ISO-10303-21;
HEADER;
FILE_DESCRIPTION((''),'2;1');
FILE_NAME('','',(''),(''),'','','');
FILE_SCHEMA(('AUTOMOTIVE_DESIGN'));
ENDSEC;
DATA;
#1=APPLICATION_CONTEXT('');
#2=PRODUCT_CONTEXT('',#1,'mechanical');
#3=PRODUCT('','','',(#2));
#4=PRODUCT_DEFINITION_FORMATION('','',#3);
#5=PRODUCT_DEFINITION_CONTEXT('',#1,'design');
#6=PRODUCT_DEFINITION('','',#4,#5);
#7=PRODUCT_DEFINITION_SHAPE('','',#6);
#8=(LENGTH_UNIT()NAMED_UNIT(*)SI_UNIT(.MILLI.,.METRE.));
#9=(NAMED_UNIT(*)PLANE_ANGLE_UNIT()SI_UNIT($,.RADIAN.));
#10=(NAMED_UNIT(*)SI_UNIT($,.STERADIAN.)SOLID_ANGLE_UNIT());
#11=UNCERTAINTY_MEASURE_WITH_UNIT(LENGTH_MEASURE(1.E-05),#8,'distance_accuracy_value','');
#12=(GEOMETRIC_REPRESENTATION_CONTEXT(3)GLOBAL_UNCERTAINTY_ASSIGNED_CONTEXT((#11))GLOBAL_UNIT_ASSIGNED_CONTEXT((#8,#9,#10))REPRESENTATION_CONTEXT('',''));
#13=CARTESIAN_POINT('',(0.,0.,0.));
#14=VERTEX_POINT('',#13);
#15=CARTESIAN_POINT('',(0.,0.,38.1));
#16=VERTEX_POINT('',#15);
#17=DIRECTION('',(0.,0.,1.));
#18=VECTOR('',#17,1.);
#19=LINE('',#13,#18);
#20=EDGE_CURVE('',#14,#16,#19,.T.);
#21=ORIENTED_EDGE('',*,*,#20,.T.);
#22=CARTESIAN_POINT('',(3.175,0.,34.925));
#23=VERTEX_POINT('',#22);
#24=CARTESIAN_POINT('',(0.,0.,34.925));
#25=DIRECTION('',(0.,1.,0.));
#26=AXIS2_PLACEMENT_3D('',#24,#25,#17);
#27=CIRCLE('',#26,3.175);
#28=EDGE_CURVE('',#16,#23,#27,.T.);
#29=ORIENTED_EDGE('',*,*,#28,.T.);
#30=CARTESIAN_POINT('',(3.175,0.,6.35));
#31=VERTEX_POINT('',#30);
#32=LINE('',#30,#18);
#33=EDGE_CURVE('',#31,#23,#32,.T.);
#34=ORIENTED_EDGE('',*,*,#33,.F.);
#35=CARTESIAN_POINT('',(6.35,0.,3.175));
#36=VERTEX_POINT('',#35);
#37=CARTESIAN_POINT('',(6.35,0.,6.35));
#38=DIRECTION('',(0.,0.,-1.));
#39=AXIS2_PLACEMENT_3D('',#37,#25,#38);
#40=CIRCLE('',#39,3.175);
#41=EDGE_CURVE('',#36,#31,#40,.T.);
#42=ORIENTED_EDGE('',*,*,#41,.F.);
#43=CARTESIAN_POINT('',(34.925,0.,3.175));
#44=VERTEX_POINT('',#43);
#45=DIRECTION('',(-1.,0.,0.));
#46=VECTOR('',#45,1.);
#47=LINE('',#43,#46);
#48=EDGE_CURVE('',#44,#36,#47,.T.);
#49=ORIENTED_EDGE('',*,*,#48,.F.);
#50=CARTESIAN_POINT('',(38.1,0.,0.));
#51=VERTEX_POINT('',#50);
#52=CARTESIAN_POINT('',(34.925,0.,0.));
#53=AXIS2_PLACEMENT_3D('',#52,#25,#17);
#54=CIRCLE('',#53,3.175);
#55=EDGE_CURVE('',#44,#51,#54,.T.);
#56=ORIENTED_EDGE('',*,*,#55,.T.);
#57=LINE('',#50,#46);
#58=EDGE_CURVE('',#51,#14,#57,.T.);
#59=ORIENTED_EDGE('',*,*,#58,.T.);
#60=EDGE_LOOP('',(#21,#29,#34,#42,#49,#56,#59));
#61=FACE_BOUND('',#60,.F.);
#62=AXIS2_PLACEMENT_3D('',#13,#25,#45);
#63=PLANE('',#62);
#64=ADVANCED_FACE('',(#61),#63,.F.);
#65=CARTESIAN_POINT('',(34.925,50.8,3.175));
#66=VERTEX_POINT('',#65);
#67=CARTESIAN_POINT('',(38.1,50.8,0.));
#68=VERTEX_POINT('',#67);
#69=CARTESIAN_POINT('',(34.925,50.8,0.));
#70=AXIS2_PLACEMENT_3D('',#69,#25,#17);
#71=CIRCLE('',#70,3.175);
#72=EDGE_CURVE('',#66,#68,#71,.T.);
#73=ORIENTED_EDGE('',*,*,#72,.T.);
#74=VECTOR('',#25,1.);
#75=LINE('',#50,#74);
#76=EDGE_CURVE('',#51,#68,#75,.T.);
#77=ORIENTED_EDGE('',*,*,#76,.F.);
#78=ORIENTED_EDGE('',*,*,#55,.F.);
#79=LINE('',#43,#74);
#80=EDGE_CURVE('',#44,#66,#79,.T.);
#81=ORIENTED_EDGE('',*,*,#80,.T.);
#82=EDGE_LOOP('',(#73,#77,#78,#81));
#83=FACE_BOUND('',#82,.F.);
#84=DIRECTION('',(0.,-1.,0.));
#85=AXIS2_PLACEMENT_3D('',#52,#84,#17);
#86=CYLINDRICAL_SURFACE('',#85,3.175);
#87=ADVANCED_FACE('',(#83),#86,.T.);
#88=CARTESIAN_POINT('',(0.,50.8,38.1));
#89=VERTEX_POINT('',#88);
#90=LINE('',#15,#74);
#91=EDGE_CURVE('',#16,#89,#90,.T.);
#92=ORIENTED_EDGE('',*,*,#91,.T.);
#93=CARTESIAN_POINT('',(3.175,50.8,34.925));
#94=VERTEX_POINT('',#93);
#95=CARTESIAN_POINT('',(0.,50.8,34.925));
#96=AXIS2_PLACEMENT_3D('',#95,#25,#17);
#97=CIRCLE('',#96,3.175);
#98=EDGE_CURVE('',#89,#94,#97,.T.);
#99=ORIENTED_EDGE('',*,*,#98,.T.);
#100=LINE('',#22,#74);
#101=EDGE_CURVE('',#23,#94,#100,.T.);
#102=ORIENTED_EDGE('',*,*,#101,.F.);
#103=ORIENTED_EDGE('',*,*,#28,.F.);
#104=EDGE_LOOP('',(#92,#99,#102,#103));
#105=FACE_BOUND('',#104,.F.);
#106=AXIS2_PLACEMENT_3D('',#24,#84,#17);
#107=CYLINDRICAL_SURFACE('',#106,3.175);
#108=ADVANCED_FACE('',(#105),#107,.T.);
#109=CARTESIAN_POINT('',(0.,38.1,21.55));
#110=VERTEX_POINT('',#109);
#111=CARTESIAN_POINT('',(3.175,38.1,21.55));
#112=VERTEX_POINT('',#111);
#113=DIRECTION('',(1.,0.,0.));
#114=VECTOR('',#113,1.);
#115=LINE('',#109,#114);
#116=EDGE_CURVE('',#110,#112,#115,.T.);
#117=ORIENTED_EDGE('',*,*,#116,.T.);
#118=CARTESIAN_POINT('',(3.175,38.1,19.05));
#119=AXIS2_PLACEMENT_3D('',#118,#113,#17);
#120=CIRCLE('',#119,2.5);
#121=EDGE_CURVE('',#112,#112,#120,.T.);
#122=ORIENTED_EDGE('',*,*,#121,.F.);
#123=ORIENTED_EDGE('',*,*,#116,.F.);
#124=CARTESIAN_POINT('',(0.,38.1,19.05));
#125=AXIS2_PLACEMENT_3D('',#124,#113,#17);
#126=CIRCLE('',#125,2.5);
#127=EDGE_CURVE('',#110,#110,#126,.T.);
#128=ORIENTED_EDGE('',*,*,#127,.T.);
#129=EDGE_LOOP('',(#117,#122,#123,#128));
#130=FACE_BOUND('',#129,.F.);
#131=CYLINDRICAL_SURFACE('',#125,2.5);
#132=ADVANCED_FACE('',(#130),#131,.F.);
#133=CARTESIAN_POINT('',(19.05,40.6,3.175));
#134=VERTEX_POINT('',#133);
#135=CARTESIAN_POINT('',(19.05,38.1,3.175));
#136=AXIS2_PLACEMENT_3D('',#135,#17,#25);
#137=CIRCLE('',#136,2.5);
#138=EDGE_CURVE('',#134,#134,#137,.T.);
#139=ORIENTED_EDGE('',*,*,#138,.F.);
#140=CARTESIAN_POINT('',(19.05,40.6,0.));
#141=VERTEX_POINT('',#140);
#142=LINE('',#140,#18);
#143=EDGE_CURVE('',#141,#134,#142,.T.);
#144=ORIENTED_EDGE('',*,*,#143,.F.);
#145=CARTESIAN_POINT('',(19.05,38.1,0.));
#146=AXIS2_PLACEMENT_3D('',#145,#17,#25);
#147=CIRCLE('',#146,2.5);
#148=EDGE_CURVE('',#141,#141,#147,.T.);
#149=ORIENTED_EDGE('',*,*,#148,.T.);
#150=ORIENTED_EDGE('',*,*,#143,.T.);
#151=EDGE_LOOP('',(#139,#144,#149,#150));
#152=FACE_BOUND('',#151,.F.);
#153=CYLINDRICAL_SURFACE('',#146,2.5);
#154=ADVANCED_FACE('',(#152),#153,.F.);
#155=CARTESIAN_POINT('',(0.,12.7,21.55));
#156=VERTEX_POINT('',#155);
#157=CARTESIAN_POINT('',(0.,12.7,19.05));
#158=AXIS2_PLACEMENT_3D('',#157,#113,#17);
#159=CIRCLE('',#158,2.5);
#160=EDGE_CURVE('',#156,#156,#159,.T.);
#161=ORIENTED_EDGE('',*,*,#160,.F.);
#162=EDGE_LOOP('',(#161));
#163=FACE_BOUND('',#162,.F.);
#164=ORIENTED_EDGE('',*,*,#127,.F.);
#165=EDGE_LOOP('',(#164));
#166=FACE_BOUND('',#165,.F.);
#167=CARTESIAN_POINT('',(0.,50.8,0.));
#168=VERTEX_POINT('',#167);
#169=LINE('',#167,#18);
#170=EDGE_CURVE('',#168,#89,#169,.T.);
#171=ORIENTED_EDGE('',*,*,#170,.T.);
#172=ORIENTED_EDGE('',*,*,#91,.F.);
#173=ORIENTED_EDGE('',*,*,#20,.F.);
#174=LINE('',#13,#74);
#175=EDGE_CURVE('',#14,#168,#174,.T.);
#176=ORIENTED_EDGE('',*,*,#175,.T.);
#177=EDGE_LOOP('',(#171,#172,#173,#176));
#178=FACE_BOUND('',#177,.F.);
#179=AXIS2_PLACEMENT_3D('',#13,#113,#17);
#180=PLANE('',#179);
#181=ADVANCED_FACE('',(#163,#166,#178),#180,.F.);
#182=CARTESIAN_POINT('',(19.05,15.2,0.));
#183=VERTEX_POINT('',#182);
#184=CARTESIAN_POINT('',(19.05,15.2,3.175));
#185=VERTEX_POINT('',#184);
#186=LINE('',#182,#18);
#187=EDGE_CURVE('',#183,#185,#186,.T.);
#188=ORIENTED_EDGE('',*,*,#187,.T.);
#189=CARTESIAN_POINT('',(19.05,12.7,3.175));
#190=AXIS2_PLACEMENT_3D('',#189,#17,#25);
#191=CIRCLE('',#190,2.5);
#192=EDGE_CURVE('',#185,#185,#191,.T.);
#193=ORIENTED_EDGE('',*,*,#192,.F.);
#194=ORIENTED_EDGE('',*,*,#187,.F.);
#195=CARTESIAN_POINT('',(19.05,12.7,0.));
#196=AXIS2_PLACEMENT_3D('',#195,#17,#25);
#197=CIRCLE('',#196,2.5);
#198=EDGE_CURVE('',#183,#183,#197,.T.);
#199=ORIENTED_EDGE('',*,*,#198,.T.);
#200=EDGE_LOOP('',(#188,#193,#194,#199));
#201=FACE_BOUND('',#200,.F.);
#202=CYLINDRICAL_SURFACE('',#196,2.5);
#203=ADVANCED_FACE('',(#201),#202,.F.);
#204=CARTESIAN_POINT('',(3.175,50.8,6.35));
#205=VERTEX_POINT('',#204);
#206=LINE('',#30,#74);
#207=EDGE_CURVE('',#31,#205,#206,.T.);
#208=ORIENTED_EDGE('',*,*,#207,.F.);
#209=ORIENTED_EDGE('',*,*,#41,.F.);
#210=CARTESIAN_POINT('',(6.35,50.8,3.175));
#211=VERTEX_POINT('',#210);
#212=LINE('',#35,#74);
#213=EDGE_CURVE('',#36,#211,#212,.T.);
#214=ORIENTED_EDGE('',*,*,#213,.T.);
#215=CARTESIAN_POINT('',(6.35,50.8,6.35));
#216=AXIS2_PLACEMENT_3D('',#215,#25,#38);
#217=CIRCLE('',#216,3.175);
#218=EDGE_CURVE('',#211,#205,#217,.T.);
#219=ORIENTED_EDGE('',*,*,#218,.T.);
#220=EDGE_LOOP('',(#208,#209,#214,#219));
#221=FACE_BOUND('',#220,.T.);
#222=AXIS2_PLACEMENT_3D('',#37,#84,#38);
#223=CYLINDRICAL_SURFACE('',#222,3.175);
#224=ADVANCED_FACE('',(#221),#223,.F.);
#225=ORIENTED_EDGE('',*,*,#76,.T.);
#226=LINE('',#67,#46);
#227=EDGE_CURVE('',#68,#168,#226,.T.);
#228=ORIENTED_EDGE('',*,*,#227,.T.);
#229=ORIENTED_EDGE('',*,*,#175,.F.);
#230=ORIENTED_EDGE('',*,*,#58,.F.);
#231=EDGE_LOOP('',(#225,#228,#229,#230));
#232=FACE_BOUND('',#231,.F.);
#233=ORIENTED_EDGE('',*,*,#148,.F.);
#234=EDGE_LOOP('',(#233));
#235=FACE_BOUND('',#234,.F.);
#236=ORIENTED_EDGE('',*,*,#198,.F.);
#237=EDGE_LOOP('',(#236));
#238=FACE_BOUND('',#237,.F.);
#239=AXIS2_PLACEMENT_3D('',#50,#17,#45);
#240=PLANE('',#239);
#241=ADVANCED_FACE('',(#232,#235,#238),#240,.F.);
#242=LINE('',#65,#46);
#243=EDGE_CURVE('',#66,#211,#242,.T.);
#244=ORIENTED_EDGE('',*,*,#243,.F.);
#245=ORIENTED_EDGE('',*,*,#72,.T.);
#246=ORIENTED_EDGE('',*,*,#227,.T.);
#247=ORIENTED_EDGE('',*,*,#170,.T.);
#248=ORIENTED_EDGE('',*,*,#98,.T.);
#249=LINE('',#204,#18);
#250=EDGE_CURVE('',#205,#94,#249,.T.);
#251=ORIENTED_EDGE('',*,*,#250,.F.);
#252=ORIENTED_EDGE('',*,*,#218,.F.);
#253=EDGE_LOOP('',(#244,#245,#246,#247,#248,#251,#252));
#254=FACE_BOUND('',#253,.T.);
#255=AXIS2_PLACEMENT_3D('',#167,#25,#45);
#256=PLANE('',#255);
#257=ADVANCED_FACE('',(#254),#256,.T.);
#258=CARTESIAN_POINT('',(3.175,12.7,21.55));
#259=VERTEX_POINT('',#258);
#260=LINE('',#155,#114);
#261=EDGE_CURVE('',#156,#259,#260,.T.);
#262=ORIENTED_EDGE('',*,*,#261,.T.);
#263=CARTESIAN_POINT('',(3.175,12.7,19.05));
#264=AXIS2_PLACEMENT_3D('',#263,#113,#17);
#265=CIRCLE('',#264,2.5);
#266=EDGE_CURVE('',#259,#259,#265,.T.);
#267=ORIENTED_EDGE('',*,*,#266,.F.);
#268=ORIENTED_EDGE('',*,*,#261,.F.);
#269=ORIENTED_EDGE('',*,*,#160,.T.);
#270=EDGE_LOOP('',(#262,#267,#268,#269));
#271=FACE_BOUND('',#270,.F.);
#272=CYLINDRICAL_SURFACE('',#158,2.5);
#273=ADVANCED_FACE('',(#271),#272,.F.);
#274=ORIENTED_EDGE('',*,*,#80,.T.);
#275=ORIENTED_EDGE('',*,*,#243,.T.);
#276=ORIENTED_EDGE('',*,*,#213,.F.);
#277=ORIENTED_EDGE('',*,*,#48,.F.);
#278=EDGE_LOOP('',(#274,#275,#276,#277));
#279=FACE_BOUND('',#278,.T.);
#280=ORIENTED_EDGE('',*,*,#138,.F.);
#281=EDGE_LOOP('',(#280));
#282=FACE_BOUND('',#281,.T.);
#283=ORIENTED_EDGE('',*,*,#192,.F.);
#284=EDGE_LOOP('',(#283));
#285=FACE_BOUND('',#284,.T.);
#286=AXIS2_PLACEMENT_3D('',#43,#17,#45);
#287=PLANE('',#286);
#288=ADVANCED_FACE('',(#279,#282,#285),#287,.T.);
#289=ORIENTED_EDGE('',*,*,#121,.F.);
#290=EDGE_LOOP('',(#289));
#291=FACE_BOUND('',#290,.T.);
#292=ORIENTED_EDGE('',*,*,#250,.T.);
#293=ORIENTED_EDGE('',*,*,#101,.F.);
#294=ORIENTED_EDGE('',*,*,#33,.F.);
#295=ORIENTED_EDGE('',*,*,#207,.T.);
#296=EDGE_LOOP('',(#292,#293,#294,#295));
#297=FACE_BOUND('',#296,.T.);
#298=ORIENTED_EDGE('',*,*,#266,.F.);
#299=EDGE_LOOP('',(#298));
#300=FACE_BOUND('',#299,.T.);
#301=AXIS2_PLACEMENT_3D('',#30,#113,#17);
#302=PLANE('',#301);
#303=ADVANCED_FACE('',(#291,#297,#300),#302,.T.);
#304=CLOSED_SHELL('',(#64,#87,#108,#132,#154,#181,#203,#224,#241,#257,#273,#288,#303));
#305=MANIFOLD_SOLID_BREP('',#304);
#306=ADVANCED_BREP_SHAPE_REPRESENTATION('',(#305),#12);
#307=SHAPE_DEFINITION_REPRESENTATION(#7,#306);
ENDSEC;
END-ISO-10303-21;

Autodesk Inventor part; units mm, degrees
ref_plane "YZ Plane" through (0, 0, 0) normal (1, 0, 0) x (0, 1, 0)
ref_plane "XZ Plane" through (0, 0, 0) normal (0, 1, 0) x (-1, 0, 0)
ref_plane "XY Plane" through (0, 0, 0) normal (0, 0, 1) x (1, 0, 0)
sketch "Sketch1" plane through (0, 0, 0) normal (0, 1, 0) x (-1, 0, 0)
  line L0 (-38.1, 0) -> (0, 0)
  line L1 (0, 0) -> (0, 38.1)
  line L2 (-34.925, 3.175) -> (-6.35, 3.175)
  line L3 (-3.175, 6.35) -> (-3.175, 34.925)
  line L4 (0, 38.1) -> (0, 38.1)
  line L5 (-38.1, 0) -> (-38.1, 0)
  arc A0 (0, 38.1) -> (-3.175, 34.925) centre (0, 34.925) ccw
  arc A1 (-34.925, 3.175) -> (-38.1, 0) centre (-34.925, 0) ccw
  arc A2 (-6.35, 3.175) -> (-3.175, 6.35) centre (-6.35, 6.35) ccw
  point P0 (0, 38.1)
  dimension "d0" = 38.1
  dimension "d1" = 38.1
  dimension "d2" = 3.175
  dimension "d3" = 3.175
extrude "Extrusion1" add sketch "Sketch1" along normal blind 50.8
sketch "Sketch2" plane through (38.1, 0, 0) normal (0, 0, -1) x (-1, 0, 0)
  line L0 (0, 0) -> (38.1, 0) projected
  line L1 (38.1, 0) -> (38.1, 50.8) projected
  line L2 (0, 50.8) -> (38.1, 50.8) projected
  line L3 (0, 0) -> (0, 50.8) projected
  point P0 (19.05, 38.1)
  point P1 (19.05, 12.7)
  dimension "d6" = 12.7
  dimension "d7" = 12.7
  dimension "d8" = 19.05
hole "Hole1" at (19.05, 38.1, 0) at (19.05, 12.7, 0) direction (0, 0, 1) diameter 5 end through all
sketch "Sketch3" plane through (0, 0, 0) normal (-1, 0, 0) x (0, 0, 1)
  line L0 (0, 0) -> (38.1, 0) projected
  line L1 (38.1, 0) -> (38.1, 50.8) projected
  line L2 (0, 50.8) -> (38.1, 50.8) projected
  line L3 (0, 0) -> (0, 50.8) projected
  point P0 (19.05, 38.1)
  point P1 (19.05, 12.7)
  dimension "d16" = 12.7
  dimension "d17" = 12.7
  dimension "d18" = 19.05
hole "Hole2" at (0, 38.1, 19.05) at (0, 12.7, 19.05) direction (1, 0, 0) diameter 5 end through all
equation "\"d7\" = d6"
equation "\"d17\" = d16"
properties part number "NASA-20-EBOX-EXT-CB-01"
